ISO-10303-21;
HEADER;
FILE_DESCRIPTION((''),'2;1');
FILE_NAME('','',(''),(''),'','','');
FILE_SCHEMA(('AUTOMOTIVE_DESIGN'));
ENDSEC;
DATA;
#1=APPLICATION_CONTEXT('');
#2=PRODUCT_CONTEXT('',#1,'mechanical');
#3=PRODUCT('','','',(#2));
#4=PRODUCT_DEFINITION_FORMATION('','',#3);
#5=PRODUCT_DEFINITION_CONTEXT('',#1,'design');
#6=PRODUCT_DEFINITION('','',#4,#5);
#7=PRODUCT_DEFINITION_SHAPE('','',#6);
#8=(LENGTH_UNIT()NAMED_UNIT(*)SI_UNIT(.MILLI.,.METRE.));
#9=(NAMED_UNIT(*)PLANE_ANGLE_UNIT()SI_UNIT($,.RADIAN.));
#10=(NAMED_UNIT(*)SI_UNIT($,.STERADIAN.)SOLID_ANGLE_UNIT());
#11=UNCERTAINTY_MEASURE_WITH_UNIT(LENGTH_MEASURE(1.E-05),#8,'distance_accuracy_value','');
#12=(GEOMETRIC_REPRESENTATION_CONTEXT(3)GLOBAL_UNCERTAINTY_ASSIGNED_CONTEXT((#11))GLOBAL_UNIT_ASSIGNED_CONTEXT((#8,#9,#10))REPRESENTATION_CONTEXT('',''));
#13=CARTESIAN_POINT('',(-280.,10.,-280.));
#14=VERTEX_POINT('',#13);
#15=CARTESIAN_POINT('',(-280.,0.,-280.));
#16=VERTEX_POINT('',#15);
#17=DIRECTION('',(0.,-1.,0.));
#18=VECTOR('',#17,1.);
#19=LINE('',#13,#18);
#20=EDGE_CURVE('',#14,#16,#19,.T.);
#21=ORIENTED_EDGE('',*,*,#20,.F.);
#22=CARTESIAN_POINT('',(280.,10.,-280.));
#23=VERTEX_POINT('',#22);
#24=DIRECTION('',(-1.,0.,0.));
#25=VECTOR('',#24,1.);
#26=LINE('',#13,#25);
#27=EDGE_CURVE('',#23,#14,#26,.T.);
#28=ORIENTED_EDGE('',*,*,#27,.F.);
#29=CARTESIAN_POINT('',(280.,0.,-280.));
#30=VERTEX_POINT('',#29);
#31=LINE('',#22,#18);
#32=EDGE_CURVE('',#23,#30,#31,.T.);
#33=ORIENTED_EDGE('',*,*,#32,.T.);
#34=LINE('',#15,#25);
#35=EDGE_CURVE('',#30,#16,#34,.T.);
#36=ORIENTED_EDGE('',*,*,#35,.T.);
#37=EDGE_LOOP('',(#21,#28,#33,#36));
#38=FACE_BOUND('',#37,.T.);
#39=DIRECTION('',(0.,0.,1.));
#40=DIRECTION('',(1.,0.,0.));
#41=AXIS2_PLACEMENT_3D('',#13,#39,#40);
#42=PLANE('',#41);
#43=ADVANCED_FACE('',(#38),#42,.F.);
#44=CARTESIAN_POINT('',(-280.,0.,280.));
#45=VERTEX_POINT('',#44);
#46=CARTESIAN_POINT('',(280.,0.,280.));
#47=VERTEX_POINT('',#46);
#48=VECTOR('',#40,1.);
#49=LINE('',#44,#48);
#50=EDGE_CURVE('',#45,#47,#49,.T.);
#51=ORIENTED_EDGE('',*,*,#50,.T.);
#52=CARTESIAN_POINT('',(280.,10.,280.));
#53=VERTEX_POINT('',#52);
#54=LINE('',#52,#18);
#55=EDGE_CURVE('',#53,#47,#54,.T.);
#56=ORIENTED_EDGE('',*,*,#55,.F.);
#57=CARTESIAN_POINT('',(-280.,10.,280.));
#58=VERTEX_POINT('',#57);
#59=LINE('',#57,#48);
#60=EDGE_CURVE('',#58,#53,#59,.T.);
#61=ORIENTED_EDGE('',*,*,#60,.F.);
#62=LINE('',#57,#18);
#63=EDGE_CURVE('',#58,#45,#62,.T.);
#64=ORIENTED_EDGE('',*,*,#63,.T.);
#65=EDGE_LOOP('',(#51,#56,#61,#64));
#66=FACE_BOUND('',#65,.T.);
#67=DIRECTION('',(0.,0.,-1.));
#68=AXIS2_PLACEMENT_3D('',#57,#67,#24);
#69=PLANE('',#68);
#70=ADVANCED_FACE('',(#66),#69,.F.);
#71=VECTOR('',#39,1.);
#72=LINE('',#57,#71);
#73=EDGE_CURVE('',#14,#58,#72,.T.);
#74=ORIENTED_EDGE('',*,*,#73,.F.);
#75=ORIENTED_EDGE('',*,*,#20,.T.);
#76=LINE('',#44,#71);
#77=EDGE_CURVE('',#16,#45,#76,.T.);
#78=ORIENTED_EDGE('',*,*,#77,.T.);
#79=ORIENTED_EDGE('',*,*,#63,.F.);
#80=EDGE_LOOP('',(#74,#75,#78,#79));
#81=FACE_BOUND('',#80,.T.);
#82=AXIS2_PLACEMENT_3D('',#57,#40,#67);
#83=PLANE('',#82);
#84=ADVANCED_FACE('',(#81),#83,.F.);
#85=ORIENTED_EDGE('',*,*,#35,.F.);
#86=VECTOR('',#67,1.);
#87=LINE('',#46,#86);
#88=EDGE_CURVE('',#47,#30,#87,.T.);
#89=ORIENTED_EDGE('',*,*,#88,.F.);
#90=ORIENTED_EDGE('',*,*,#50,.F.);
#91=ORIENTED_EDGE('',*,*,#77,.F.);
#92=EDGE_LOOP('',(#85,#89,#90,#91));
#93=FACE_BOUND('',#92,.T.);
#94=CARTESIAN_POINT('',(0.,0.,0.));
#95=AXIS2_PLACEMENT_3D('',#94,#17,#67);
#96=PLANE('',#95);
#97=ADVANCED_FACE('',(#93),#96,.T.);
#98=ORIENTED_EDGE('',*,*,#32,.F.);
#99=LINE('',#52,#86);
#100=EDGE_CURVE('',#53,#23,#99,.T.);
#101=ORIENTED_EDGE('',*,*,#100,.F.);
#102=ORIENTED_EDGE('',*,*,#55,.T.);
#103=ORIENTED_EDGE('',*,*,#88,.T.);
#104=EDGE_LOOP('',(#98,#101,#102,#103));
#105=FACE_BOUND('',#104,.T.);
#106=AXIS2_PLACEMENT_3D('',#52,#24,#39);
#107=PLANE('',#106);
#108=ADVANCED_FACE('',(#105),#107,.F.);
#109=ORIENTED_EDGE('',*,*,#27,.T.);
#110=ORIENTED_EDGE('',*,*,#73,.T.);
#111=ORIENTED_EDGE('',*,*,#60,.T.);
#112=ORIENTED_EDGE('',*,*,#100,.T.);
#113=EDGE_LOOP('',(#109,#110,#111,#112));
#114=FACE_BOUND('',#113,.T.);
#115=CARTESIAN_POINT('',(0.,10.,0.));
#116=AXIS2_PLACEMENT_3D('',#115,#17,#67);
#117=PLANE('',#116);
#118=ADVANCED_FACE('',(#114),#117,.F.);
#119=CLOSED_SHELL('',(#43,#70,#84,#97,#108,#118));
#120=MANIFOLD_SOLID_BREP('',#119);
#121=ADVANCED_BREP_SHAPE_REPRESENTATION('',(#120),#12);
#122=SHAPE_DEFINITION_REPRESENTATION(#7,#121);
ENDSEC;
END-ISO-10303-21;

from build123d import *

# Parameters (mm, degrees)
SZKIC1_W                    = 560
SZKIC1_H                    = 560
DODANIE_WYCI_GNI_CIE2_DEPTH = 10


with BuildPart() as part:
    # Szkic1 → Dodanie-wyciągnięcie2 (new body)
    with BuildSketch(Plane(origin=(0, 0, 0), x_dir=(1, 0, 0), z_dir=(0, 1, 0))):
        Rectangle(SZKIC1_W, SZKIC1_H)
    extrude(amount=DODANIE_WYCI_GNI_CIE2_DEPTH)


solid = part.part
